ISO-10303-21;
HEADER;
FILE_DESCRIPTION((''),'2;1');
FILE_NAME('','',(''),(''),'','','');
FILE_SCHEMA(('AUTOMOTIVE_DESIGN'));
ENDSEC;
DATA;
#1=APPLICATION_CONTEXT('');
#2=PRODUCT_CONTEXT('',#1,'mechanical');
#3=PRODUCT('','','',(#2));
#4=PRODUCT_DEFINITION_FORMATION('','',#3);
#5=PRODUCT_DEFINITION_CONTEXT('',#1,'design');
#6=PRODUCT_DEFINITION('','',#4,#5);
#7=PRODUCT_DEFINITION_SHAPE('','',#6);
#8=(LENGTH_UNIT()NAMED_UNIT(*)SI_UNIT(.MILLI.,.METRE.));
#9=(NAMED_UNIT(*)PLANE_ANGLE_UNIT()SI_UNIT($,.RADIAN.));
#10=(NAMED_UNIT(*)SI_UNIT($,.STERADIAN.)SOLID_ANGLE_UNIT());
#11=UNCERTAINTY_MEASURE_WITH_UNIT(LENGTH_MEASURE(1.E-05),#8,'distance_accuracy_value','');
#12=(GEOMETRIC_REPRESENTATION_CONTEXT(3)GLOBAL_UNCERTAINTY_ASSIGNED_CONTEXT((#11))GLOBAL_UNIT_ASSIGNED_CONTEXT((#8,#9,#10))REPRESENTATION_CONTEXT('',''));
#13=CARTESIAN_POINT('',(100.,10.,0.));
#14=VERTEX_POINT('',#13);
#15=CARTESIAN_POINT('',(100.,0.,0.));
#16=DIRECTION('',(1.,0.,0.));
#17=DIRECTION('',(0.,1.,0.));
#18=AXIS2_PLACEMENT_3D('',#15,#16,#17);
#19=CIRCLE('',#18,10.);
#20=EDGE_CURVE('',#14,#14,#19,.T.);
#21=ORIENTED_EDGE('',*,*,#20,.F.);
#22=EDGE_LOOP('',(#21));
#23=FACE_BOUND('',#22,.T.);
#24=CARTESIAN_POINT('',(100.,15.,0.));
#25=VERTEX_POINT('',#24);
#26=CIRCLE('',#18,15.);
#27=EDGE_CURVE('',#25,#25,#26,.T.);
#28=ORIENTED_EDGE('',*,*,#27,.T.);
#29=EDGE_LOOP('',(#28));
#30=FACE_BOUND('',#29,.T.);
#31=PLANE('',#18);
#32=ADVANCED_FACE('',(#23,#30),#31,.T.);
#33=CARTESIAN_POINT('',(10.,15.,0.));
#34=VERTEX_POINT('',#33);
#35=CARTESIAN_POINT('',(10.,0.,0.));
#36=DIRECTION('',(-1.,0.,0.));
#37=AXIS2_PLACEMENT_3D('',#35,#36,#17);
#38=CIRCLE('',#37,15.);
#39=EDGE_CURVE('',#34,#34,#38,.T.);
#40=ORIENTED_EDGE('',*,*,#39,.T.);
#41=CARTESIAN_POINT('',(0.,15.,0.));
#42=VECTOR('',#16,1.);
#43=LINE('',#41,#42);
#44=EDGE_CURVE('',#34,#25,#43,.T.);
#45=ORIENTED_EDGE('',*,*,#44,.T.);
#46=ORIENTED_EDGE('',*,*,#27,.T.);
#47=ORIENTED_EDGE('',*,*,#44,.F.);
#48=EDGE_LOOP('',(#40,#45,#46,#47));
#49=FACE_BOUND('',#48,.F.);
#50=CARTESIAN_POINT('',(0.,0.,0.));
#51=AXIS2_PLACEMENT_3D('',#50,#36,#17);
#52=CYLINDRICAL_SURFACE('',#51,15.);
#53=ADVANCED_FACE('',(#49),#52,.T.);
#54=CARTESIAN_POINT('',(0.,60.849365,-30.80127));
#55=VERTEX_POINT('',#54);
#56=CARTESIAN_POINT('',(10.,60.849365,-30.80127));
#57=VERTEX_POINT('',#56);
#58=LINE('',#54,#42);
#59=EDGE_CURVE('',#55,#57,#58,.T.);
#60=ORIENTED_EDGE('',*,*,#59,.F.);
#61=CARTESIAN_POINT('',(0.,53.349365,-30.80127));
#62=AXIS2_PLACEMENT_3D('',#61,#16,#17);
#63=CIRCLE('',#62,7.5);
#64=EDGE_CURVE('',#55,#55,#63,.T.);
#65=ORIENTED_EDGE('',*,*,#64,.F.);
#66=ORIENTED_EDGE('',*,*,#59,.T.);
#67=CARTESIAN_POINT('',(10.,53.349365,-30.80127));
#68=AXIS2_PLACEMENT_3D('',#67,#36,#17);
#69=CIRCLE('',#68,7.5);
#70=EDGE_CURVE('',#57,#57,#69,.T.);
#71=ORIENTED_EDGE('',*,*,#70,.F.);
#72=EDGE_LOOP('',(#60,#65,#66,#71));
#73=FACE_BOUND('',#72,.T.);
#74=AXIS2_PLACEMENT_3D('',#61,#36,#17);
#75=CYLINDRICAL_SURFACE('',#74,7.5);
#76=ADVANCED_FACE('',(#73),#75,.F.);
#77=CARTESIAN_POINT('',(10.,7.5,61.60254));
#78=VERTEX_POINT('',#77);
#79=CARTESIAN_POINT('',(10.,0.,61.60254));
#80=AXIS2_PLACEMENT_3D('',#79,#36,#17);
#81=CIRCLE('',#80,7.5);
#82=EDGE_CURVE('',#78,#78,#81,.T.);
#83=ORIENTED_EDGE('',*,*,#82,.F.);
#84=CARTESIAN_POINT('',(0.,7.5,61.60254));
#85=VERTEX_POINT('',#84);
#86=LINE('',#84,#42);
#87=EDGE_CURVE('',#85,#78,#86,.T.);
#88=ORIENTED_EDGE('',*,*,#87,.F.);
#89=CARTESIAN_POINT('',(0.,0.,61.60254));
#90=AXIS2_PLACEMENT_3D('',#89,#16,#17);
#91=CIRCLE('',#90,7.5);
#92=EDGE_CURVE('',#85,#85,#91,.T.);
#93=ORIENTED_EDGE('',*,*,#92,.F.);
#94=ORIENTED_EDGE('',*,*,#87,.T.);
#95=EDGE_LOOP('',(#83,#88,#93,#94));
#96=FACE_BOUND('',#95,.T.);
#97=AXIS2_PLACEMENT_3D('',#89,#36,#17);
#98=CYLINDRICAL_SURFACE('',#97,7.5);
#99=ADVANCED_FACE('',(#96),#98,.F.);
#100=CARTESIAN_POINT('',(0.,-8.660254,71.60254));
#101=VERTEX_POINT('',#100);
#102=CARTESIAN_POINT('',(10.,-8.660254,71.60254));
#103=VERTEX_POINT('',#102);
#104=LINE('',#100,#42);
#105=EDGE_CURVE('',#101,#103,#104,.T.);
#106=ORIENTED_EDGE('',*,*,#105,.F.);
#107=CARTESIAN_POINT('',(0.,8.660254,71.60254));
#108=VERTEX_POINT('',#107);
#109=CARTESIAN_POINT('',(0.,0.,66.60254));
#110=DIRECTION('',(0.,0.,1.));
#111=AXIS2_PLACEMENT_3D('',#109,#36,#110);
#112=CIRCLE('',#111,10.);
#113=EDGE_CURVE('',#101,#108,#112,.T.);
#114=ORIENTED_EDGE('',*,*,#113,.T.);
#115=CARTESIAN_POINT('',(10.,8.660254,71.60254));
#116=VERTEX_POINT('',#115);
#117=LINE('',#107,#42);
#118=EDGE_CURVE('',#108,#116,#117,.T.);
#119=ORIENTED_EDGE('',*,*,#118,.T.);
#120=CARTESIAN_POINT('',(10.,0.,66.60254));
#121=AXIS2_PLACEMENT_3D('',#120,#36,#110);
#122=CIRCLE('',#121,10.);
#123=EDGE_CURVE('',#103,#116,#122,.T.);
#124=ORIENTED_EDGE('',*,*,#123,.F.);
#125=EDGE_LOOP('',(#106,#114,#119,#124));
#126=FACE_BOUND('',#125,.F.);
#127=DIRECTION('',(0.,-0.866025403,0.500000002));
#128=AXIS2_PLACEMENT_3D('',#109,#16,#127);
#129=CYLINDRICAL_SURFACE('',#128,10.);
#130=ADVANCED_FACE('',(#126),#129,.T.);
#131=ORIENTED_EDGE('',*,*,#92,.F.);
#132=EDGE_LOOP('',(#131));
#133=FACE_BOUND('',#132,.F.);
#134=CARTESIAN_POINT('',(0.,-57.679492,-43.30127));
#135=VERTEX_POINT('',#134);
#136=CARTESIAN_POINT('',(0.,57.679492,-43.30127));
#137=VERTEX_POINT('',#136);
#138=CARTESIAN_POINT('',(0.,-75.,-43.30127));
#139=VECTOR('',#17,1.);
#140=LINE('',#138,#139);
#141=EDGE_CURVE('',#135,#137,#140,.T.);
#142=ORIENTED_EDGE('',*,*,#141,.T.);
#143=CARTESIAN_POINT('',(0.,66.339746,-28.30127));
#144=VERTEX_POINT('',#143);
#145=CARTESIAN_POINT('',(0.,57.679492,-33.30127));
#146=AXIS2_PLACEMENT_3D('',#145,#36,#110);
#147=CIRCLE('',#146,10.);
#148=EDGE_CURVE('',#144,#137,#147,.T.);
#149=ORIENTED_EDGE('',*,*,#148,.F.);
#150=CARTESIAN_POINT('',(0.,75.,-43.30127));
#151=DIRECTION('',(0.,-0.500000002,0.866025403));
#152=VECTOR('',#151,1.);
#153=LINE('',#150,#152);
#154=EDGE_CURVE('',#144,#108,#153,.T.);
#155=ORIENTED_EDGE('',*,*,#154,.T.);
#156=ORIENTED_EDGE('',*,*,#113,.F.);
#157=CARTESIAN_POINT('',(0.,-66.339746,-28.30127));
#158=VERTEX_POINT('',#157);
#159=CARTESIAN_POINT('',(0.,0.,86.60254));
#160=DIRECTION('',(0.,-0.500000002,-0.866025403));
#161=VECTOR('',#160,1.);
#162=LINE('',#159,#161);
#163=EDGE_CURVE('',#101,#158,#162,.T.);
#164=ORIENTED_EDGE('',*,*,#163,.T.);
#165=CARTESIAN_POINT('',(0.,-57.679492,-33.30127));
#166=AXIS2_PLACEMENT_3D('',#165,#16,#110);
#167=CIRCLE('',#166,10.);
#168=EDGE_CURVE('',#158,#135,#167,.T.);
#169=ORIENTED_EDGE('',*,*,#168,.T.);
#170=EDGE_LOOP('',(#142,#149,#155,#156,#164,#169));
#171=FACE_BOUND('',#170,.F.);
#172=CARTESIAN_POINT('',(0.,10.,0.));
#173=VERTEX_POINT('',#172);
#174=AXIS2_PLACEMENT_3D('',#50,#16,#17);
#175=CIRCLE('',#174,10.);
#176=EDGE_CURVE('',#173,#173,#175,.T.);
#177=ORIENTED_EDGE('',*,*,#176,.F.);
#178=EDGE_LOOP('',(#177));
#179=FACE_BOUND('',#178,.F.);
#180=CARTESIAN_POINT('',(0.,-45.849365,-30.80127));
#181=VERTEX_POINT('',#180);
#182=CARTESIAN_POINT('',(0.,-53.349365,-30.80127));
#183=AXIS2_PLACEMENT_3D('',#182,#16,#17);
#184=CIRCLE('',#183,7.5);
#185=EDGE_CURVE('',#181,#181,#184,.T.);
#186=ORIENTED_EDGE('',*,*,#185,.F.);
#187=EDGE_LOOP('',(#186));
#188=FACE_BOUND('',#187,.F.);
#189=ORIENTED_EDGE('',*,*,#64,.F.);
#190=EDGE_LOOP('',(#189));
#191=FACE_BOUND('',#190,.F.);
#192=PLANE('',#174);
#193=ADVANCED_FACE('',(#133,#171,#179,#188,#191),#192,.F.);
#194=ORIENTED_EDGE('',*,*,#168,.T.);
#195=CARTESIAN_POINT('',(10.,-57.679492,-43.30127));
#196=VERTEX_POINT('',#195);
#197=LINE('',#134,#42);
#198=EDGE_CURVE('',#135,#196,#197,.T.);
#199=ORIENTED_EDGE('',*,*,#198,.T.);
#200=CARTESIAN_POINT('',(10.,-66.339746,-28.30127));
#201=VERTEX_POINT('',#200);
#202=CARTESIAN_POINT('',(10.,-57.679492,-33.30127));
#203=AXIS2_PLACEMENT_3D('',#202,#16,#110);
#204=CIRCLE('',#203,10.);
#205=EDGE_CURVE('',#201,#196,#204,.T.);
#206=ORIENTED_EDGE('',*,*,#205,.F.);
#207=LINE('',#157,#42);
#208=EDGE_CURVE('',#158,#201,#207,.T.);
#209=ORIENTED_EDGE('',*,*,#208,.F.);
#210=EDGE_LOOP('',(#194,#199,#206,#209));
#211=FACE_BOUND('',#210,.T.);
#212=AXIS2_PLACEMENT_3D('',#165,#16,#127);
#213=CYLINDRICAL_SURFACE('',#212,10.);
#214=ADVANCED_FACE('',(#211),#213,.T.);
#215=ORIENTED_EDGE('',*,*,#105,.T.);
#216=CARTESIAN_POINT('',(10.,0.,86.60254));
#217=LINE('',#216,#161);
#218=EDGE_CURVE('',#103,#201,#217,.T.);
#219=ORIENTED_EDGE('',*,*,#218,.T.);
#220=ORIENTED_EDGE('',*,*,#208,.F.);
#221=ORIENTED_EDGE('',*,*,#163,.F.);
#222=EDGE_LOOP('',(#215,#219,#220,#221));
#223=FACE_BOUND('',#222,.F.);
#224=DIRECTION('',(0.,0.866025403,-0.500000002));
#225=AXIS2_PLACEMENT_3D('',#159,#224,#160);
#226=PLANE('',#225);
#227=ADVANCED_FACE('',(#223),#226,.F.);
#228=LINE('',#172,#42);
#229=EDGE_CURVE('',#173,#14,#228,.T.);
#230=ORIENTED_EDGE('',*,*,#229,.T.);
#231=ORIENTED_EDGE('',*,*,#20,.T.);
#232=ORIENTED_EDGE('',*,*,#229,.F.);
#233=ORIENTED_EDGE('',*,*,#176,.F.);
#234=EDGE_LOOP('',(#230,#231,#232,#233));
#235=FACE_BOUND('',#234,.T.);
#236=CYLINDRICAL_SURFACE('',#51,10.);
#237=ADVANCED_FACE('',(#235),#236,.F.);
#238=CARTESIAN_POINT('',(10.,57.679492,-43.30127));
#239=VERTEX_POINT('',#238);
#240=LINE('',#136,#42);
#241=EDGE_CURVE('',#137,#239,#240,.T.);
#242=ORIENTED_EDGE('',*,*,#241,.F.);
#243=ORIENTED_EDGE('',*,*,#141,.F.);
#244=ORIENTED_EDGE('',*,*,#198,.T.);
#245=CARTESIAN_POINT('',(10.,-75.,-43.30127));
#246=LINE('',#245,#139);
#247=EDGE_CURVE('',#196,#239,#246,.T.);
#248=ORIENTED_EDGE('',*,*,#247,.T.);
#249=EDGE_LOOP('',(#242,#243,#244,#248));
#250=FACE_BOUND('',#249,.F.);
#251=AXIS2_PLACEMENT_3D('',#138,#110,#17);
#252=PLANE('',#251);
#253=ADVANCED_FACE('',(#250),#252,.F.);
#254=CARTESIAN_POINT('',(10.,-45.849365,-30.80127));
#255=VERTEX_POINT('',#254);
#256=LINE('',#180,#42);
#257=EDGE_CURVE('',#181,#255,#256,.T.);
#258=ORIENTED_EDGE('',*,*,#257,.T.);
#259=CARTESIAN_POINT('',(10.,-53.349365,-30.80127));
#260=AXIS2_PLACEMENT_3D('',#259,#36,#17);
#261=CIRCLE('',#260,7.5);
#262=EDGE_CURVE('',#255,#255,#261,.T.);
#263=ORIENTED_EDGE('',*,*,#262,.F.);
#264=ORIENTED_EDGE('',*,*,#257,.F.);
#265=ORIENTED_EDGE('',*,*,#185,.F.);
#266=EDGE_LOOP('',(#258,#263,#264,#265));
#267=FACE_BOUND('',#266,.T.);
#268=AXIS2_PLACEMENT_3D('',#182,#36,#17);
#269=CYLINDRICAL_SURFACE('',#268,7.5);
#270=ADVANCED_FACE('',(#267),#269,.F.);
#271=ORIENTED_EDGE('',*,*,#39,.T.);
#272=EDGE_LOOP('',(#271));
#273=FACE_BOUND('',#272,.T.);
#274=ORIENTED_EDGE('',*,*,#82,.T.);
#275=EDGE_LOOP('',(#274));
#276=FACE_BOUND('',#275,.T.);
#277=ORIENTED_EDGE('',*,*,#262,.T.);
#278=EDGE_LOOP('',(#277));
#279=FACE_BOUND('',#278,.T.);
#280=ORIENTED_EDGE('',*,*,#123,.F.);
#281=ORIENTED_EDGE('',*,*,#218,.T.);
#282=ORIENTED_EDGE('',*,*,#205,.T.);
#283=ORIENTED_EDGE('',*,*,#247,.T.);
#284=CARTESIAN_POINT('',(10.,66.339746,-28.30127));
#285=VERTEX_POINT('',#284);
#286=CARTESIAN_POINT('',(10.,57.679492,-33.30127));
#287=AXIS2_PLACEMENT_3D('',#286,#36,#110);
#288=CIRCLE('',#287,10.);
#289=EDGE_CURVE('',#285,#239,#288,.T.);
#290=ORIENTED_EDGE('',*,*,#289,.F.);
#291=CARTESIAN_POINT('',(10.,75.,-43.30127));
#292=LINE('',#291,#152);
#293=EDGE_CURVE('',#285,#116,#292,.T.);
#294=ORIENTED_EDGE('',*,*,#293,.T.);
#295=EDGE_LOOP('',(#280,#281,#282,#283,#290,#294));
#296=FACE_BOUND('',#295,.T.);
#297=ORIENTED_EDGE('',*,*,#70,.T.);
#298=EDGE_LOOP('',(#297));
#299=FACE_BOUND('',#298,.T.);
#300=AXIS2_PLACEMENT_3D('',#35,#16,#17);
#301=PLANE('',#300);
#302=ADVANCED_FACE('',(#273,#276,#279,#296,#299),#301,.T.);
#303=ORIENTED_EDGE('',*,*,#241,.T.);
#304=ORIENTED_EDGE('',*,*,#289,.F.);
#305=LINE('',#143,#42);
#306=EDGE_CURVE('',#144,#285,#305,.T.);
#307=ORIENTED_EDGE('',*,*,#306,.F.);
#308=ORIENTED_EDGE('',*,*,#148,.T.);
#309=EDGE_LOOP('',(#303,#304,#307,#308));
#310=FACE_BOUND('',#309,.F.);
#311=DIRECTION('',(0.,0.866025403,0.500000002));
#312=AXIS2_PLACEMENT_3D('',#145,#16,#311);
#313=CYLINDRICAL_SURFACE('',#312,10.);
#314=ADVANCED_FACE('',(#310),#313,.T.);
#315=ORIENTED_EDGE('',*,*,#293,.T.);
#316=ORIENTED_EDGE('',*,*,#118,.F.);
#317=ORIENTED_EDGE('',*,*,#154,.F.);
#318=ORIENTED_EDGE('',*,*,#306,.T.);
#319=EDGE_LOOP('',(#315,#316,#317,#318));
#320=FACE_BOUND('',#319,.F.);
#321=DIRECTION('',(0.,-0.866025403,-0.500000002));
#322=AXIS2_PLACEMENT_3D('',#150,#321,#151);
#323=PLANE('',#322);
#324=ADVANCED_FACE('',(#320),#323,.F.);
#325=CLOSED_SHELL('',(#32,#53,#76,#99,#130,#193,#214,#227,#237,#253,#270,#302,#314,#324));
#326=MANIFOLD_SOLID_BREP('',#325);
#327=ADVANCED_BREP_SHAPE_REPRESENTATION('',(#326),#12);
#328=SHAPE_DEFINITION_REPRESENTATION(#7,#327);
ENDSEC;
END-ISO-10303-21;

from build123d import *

# Parameters (mm, degrees)
F0_R     = 15
F0_R_2   = 10
F1_DEPTH = 100
F3_DEPTH = 10
F4_R     = 10
F5_R     = 7.5
F5_R_2   = 10
F6_DEPTH = 100.001


with BuildPart() as f1:
    # F0 (on Right) → F1 (new body)
    with BuildSketch(Plane.YZ):
        Circle(F0_R)
        Circle(F0_R_2, mode=Mode.SUBTRACT)
    extrude(amount=F1_DEPTH)

    # F2 (on Right) → F3 (join)
    with BuildSketch(Plane.YZ):
        Polygon((0, 86.60254), (-75, -43.30127), (75, -43.30127), align=None)
    extrude(amount=F3_DEPTH)

    # F4
    f4_edges = [f1.edges().sort_by_distance(p)[0] for p in [
        (5, 0, 86.60254),
        (5, 75, -43.30127),
        (5, -75, -43.30127),
    ]]
    fillet(f4_edges, radius=F4_R)

    # F5 (on Right) → F6 (cut, through all)
    with BuildSketch(Plane.YZ):
        with Locations((0, 61.60254)):
            Circle(F5_R)
        with Locations((53.349365, -30.80127)):
            Circle(F5_R)
        with Locations((-53.349365, -30.80127)):
            Circle(F5_R)
        Circle(F5_R_2)
    extrude(amount=F6_DEPTH, mode=Mode.SUBTRACT)


solid = f1.part
